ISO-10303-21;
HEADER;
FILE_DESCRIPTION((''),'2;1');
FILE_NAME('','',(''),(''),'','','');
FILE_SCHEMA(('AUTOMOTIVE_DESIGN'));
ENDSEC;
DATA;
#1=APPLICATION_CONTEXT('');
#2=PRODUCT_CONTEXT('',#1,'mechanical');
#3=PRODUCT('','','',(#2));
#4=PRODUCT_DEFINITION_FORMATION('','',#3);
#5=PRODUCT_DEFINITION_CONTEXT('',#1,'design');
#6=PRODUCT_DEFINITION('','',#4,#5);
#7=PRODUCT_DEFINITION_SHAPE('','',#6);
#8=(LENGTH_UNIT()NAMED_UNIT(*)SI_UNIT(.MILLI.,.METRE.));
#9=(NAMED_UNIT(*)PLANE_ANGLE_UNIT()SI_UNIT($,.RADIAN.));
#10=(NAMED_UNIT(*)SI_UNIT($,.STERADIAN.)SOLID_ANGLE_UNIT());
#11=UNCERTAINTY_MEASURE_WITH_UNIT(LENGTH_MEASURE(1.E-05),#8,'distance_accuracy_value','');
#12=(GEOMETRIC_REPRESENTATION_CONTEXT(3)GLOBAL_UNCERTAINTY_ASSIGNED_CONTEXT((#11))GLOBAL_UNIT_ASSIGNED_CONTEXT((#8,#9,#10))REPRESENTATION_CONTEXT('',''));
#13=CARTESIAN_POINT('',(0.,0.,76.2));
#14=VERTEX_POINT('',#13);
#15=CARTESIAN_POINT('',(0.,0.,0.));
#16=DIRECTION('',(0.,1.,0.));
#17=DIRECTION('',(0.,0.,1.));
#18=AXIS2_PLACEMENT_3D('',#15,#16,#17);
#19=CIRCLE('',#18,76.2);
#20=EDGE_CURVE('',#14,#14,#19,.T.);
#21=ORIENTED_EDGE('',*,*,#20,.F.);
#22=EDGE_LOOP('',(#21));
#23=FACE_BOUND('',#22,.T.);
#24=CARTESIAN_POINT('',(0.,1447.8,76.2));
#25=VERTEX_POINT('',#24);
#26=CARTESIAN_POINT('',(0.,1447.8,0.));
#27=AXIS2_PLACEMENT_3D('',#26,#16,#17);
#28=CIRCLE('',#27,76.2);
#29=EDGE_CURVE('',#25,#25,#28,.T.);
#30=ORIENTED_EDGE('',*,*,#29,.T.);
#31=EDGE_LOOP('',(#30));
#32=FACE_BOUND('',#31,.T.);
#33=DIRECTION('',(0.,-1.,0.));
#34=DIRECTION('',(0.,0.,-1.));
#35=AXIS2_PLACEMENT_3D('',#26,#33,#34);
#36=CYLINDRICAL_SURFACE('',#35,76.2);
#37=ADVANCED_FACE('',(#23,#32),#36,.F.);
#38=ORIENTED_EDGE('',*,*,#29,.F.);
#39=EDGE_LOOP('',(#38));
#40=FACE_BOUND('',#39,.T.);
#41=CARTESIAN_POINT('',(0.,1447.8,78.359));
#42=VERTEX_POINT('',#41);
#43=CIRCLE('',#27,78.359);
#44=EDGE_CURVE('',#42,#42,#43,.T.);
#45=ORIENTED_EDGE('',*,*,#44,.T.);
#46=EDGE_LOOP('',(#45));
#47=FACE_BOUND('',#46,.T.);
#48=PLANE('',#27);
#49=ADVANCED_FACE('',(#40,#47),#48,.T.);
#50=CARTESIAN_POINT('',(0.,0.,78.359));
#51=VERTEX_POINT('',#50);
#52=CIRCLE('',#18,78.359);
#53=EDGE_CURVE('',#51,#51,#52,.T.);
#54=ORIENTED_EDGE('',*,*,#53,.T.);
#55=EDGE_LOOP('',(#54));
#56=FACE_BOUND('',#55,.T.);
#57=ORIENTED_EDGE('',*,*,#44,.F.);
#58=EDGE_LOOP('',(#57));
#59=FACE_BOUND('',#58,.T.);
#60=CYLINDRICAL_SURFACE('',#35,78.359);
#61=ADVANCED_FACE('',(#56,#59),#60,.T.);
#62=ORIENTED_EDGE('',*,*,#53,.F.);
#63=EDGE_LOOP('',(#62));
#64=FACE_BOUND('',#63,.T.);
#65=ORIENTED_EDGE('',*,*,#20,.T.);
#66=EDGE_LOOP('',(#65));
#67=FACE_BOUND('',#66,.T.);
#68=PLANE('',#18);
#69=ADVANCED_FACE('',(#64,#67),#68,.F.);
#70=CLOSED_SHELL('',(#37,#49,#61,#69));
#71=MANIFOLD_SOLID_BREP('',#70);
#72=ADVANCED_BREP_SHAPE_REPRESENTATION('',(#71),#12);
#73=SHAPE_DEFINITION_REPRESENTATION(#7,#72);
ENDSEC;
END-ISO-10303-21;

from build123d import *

# Parameters (mm, degrees)
SKETCH1_R           = 78.359
SKETCH1_R_2         = 76.2
BOSS_EXTRUDE1_DEPTH = 1447.8


with BuildPart() as part:
    # Sketch1 → Boss-Extrude1 (new body)
    with BuildSketch(Plane(origin=(0, 0, 0), x_dir=(1, 0, 0), z_dir=(0, 1, 0))):
        with Locations(Location((0, 0, 0), (0, 0, 270))):
            Circle(SKETCH1_R)
        with Locations(Location((0, 0, 0), (0, 0, 270))):
            Circle(SKETCH1_R_2, mode=Mode.SUBTRACT)
    extrude(amount=BOSS_EXTRUDE1_DEPTH)


solid = part.part
